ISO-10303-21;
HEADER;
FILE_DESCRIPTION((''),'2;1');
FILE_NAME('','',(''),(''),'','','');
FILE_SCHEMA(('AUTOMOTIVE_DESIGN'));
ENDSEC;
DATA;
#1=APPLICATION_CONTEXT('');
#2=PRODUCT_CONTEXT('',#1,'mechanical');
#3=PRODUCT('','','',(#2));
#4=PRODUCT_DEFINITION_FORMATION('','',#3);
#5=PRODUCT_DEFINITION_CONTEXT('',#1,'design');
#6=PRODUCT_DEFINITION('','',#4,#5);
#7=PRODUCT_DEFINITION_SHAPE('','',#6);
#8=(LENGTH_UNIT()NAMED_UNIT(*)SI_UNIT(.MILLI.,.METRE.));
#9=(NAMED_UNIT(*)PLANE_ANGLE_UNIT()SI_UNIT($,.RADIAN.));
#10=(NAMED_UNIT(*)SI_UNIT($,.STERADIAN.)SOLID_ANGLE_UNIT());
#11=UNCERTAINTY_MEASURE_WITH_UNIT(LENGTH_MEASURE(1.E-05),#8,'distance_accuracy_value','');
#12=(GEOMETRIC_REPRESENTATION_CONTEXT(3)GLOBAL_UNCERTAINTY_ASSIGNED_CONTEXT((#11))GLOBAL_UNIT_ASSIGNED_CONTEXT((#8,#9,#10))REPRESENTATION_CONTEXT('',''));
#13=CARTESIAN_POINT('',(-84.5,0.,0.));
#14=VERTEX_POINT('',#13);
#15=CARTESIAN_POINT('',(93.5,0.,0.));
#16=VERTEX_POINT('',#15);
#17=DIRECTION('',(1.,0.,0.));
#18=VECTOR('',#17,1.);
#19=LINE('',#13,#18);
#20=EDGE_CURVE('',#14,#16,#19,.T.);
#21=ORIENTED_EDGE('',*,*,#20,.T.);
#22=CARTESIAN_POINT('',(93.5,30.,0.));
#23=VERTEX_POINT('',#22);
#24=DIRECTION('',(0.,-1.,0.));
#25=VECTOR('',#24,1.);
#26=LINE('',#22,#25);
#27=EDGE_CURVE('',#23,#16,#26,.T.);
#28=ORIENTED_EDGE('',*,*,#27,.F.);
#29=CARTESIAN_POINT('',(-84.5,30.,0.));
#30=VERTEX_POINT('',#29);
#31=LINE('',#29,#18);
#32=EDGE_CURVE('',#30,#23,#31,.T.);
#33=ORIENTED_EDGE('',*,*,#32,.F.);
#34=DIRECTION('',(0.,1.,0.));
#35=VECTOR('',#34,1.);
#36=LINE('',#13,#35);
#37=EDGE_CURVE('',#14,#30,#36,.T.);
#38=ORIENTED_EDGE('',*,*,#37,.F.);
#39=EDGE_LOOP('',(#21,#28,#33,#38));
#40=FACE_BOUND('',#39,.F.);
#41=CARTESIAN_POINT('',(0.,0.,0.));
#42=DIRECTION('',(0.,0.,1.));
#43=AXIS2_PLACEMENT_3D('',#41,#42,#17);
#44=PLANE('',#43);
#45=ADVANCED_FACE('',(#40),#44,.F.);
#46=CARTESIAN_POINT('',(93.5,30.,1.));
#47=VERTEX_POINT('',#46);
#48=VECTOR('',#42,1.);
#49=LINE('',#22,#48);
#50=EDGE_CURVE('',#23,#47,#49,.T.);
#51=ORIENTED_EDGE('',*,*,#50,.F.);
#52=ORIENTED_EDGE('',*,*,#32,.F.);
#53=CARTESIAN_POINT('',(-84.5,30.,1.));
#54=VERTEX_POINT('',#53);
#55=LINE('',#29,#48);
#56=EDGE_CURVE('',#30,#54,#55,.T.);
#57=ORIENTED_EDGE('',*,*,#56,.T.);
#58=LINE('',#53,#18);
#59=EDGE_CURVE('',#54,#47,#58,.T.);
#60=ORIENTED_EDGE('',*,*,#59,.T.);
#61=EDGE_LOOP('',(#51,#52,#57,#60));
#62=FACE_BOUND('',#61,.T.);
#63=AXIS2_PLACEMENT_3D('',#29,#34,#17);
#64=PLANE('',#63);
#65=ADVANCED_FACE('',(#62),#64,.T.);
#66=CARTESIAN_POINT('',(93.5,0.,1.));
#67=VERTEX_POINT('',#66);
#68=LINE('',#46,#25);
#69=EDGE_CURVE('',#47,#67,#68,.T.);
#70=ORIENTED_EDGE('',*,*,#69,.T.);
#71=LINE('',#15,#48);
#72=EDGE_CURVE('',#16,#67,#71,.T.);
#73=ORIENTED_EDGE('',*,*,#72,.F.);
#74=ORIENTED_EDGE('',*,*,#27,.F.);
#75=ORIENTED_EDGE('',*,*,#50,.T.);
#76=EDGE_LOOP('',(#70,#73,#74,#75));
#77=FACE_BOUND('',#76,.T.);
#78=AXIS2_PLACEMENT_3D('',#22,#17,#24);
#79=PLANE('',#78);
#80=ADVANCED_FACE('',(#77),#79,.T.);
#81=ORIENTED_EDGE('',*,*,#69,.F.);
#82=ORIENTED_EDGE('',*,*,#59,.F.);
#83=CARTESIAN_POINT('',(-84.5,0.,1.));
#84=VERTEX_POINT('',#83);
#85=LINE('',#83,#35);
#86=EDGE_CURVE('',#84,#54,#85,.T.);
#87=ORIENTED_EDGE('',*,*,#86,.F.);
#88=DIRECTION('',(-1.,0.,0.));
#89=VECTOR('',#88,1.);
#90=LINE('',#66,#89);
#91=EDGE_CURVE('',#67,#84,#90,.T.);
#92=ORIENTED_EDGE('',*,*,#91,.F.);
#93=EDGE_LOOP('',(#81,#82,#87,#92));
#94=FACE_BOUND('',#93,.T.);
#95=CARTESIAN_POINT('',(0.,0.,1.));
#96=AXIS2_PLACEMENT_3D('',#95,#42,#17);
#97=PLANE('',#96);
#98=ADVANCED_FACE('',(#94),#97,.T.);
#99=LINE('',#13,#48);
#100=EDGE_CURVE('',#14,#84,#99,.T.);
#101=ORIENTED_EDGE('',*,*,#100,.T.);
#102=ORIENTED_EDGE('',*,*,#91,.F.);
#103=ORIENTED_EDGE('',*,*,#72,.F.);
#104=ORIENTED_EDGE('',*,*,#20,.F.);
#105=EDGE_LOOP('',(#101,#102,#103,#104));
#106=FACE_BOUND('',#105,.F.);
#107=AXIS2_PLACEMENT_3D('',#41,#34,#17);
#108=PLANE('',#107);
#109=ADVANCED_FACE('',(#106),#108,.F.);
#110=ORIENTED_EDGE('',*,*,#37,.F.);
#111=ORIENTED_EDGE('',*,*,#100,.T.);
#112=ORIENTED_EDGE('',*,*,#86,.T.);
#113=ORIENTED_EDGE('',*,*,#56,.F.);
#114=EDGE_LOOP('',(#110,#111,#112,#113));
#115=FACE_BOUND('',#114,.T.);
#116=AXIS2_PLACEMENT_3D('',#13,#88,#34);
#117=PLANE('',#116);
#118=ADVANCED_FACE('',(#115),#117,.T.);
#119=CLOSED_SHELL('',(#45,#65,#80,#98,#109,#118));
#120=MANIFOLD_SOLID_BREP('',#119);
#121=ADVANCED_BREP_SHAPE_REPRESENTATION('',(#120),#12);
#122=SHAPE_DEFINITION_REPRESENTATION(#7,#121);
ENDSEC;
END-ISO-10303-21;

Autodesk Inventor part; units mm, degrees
ref_plane "YZ Plane" through (0, 0, 0) normal (1, 0, 0) x (0, 1, 0)
ref_plane "XZ Plane" through (0, 0, 0) normal (0, 1, 0) x (-1, 0, 0)
ref_plane "XY Plane" through (0, 0, 0) normal (0, 0, 1) x (1, 0, 0)
sketch "Sketch1" plane through (0, 0, 0) normal (0, 0, 1) x (1, 0, 0)
  line L0 (0, 0) -> (9, 0) projected
  line L1 (9, 0) -> (9, 3) projected
  line L2 (0, 3) -> (9, 3) projected
  line L3 (0, 0) -> (0, 3) projected
  line L4 (-84.5, 30) -> (93.5, 30)
  line L5 (93.5, 30) -> (93.5, 0)
  line L6 (93.5, 0) -> (-84.5, 0)
  line L7 (-84.5, 0) -> (-84.5, 30)
  dimension "d0" = 178
  dimension "d1" = 84.5
  dimension "d2" = 84.5
  dimension "d7" = 30
extrude "Extrusion1" add sketch "Sketch1" along normal blind 1
equation "\"d1\" = d2"
properties part number "back"
